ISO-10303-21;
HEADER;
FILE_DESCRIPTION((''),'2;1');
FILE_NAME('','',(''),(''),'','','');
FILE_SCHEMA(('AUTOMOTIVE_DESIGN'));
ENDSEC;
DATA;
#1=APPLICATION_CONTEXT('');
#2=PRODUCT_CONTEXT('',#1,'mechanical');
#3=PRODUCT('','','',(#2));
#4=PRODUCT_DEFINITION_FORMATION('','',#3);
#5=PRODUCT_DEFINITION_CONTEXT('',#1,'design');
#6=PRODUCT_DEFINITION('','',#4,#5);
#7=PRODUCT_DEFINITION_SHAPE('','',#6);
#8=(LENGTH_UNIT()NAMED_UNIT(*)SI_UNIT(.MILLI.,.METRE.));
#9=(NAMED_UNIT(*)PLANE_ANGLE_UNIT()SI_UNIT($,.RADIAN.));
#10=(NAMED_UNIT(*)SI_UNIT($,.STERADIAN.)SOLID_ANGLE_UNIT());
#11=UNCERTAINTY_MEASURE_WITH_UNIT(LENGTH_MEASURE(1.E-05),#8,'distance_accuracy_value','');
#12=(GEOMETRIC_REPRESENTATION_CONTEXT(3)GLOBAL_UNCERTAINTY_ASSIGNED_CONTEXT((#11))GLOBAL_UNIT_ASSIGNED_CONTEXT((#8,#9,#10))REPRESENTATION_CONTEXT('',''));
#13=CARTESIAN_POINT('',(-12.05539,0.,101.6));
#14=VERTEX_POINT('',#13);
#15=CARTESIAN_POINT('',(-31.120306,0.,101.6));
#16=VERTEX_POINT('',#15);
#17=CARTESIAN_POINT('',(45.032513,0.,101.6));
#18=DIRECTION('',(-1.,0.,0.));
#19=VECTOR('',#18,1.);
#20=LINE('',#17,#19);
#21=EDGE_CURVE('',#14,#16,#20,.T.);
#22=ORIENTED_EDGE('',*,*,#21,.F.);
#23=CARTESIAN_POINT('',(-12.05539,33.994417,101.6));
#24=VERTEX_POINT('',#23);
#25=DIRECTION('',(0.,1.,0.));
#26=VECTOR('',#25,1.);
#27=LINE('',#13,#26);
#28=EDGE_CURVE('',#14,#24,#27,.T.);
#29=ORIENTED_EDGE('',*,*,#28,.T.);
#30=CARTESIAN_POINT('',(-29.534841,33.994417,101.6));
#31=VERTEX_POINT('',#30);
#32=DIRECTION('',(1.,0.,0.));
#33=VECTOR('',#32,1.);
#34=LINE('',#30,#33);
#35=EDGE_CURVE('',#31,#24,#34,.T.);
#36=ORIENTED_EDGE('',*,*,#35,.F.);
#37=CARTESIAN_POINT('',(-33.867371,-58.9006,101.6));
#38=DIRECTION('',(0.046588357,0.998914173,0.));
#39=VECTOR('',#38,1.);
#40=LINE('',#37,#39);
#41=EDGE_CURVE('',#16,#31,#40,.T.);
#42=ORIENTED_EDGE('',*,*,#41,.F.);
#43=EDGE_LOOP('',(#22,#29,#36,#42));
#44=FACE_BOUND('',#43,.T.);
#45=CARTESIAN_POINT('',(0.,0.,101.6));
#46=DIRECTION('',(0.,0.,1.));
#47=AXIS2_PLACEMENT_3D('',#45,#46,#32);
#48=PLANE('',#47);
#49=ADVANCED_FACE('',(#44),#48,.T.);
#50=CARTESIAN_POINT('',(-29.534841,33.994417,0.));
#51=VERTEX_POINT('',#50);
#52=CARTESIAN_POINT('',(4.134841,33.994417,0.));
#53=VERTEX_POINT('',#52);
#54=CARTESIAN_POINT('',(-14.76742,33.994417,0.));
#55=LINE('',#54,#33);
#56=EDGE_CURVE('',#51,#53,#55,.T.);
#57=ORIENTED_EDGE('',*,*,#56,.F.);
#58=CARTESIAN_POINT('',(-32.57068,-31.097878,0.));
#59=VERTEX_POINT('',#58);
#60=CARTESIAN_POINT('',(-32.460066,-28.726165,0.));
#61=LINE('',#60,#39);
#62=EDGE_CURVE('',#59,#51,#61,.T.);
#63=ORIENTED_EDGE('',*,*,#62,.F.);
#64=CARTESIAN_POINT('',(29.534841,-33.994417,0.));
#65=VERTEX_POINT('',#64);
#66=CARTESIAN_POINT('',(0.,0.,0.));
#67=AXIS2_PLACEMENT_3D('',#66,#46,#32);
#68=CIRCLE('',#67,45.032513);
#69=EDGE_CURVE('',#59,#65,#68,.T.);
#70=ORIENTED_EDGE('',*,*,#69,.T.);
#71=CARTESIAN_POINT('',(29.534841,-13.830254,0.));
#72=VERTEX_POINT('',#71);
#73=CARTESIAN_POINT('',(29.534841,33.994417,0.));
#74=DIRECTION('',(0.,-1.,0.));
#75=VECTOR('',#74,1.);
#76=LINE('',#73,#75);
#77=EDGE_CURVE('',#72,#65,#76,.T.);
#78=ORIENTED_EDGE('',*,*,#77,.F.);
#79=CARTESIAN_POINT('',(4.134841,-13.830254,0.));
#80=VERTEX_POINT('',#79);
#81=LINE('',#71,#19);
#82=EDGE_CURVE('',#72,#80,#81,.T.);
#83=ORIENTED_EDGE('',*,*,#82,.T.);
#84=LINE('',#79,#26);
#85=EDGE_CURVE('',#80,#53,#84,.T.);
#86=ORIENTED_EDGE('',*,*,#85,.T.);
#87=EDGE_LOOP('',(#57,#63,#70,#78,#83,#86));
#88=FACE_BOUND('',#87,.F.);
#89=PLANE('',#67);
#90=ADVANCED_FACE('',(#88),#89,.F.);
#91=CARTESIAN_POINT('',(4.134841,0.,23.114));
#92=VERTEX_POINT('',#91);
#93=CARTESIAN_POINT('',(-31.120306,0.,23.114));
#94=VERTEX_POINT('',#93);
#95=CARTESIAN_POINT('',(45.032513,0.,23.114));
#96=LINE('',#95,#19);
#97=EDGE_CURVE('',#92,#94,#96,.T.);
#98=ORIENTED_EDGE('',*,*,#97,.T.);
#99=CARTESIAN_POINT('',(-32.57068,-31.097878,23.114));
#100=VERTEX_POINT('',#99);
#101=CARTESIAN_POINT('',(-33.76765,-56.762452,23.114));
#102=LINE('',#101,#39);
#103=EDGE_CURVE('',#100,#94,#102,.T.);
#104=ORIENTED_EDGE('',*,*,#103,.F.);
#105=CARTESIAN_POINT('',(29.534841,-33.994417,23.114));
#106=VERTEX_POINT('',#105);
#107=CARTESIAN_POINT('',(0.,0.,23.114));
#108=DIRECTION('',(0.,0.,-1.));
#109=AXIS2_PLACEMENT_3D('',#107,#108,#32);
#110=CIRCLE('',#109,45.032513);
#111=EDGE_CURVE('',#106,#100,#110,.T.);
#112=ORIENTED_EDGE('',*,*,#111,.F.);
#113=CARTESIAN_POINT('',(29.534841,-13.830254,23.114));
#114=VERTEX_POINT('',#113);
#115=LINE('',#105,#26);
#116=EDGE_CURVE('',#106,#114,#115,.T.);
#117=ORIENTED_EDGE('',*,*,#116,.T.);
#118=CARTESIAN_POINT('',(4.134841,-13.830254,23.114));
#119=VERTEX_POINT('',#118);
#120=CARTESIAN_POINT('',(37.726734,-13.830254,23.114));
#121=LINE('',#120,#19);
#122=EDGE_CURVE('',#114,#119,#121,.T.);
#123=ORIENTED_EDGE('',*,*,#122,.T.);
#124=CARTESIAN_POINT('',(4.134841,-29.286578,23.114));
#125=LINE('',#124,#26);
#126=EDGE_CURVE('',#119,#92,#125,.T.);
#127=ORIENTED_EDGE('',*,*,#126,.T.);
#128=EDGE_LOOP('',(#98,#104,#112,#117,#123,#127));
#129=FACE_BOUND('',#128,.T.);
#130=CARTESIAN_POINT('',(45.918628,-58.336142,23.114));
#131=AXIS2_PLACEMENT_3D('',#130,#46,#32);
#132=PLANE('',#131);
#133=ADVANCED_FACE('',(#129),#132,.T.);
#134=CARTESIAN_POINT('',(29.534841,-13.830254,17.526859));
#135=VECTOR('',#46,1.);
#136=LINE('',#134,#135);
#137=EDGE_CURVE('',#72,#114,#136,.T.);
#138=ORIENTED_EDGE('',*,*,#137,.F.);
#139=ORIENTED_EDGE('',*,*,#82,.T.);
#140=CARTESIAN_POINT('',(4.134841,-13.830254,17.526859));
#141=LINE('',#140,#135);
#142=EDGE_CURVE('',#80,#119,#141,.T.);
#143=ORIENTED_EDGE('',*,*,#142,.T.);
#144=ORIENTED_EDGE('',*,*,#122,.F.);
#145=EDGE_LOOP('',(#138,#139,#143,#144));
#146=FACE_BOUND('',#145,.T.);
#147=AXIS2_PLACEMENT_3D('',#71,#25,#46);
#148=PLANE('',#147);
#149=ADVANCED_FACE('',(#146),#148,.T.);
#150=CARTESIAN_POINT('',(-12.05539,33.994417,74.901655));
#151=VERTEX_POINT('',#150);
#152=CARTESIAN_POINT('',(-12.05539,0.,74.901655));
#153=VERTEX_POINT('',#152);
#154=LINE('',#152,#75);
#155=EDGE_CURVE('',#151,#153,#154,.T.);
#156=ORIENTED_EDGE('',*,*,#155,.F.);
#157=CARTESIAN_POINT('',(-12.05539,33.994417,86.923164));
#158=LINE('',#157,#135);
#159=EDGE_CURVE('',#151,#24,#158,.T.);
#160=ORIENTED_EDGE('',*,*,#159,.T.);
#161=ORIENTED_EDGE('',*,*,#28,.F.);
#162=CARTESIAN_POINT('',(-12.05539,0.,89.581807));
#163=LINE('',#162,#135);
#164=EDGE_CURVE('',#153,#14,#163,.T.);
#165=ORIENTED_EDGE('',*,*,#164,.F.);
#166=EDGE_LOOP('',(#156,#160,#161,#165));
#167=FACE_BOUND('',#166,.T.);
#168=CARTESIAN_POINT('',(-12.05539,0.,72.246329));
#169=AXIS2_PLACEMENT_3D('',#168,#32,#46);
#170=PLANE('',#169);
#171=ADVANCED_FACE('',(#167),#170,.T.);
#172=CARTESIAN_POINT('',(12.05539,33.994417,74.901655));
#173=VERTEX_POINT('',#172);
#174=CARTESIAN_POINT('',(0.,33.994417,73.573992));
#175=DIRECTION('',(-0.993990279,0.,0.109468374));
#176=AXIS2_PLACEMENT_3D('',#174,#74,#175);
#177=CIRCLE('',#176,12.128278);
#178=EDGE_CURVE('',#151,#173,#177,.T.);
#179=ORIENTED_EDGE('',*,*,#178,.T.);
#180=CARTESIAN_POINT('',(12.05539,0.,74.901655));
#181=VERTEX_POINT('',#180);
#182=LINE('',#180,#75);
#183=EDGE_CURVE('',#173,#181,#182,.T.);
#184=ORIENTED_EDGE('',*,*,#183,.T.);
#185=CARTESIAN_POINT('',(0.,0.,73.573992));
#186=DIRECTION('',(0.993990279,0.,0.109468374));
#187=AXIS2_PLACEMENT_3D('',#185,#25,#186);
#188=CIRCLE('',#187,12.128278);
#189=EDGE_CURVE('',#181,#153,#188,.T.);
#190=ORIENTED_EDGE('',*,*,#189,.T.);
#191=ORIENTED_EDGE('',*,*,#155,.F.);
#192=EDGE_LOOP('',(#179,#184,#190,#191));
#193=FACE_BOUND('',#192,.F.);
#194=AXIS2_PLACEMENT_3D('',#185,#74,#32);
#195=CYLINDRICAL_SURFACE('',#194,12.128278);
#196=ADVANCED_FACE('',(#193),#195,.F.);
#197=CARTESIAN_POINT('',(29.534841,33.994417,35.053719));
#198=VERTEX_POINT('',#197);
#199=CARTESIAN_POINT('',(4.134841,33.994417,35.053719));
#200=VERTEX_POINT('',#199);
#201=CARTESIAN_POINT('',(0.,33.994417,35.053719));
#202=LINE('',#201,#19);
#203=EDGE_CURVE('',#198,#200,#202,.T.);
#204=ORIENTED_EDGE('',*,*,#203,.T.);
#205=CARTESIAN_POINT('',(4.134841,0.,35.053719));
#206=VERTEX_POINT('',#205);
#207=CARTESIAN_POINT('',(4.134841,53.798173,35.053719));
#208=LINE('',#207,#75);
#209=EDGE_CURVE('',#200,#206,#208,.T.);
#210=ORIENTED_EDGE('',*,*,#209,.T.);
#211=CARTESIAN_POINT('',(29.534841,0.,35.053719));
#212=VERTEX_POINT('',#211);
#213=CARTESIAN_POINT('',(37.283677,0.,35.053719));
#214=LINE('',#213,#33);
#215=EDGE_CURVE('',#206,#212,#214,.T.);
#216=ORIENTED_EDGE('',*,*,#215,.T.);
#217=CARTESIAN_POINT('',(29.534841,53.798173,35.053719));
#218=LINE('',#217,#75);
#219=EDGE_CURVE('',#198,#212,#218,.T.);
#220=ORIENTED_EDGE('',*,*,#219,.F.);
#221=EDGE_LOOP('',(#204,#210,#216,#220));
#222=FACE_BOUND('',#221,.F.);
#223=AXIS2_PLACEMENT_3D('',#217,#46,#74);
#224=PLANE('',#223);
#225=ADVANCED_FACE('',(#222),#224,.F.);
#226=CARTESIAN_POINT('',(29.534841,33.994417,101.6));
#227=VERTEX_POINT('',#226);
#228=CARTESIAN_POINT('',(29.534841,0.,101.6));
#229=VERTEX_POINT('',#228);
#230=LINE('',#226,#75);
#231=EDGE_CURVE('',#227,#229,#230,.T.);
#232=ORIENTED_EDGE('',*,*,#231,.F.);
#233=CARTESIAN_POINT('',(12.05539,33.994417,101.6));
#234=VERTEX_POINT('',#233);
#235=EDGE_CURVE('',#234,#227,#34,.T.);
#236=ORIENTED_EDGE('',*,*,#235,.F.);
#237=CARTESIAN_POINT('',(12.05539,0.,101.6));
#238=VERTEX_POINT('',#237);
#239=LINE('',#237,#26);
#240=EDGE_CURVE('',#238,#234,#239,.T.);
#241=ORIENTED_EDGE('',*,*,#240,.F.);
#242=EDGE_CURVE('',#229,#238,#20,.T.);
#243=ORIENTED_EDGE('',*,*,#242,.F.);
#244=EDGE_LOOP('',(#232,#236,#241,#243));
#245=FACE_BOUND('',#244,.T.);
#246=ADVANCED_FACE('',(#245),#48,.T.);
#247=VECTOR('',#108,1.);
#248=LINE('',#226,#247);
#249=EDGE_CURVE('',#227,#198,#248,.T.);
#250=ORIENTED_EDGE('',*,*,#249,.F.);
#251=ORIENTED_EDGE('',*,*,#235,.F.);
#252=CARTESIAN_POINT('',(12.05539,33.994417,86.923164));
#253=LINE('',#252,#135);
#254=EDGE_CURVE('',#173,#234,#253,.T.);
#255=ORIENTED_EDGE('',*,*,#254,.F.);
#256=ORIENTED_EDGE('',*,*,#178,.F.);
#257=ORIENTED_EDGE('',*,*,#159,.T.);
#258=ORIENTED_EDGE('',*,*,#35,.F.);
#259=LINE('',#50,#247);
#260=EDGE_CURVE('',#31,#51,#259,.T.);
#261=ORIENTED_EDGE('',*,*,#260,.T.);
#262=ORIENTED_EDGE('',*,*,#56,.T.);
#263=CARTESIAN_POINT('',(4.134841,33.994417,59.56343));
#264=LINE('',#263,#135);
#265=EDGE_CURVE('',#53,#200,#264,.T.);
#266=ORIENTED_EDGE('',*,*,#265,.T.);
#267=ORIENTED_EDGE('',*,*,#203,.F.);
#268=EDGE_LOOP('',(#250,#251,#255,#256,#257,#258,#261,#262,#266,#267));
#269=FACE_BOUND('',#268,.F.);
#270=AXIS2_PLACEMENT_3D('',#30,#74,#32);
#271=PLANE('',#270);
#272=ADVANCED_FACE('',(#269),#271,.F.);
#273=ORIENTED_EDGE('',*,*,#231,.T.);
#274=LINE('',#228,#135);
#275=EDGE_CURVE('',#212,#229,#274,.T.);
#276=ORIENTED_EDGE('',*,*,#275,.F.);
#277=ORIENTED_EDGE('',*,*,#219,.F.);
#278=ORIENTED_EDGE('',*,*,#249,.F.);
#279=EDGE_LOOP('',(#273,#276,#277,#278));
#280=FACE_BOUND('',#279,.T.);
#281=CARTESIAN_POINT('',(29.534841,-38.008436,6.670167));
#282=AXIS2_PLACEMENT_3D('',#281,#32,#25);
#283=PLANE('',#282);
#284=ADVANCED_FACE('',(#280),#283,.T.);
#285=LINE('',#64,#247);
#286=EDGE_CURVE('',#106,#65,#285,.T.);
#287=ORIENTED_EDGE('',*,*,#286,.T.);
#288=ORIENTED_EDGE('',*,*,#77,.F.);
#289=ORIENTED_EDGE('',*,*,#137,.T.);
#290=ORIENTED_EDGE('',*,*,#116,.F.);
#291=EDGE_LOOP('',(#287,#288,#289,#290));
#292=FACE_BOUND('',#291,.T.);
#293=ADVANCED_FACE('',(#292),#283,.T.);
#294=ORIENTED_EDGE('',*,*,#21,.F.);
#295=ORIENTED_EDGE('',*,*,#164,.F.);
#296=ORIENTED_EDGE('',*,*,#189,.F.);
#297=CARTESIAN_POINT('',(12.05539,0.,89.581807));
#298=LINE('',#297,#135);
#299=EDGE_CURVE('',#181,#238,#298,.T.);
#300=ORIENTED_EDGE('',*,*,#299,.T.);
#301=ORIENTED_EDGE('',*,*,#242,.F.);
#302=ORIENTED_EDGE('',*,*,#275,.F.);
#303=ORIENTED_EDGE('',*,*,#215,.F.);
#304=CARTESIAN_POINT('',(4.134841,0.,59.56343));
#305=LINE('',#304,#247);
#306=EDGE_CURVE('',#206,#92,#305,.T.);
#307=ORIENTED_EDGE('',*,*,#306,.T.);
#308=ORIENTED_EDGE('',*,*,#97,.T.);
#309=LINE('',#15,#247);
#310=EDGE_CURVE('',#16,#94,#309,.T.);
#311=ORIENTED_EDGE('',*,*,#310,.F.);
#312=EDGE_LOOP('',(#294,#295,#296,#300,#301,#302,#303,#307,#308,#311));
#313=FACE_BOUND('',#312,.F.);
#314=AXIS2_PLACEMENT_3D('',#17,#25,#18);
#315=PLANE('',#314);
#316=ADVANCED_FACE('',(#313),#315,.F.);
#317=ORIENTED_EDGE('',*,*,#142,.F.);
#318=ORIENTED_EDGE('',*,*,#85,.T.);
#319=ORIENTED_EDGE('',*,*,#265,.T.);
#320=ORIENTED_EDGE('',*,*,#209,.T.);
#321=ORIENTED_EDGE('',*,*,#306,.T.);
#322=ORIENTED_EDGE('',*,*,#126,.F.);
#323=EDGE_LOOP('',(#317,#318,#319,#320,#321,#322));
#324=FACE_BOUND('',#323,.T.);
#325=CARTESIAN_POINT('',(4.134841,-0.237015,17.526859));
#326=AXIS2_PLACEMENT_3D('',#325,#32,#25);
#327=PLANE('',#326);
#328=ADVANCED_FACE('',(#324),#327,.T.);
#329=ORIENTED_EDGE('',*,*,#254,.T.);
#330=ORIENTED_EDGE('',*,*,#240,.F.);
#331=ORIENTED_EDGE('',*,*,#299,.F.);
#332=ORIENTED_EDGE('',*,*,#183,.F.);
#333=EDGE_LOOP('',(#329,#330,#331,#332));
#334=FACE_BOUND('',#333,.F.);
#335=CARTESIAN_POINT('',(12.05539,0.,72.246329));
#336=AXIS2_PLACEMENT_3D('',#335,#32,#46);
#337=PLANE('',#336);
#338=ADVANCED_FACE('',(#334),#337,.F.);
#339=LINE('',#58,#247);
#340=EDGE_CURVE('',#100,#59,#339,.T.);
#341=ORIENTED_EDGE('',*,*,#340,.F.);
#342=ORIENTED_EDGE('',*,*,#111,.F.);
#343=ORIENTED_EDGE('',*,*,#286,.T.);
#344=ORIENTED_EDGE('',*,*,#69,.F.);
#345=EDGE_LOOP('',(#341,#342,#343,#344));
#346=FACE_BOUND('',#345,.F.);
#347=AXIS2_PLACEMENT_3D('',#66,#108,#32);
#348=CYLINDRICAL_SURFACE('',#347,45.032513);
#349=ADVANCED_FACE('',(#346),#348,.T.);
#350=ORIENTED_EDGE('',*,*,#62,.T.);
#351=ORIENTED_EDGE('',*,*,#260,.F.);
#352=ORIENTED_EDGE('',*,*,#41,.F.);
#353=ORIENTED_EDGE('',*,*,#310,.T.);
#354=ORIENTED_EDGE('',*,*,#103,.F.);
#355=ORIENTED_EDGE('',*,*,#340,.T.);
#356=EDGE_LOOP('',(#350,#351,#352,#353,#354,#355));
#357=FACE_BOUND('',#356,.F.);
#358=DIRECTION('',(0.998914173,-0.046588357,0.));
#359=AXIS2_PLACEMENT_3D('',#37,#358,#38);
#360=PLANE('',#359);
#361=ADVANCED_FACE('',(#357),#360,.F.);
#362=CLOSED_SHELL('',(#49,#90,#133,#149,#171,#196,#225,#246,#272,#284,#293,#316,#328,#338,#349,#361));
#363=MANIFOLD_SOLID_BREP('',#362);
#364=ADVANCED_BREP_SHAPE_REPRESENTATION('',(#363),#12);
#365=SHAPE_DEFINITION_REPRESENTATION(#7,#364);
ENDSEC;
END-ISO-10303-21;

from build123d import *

# Parameters (mm, degrees)
F0_R      = 45.0325126913
F1_DEPTH  = 101.6
F3_DEPTH  = 78.486
F5_DEPTH  = 107.188
F7_DEPTH  = 186.944
F8_R      = 12.1282777673
F9_DEPTH  = 81.026
F10_W     = 24.1107804074
F10_H     = 34.6709556208
F11_DEPTH = 128.778
F13_DEPTH = 25.4
F14_W     = 27.1864784881
F14_H     = 35.0537188351
F15_DEPTH = 25.4


with BuildPart() as f1:
    # F0 (on Top) → F1 (new body)
    with BuildSketch(Plane.XY):
        Circle(F0_R)
    extrude(amount=F1_DEPTH)

    # F2 (on face) → F3 (cut)
    with BuildSketch(Plane.XY.offset(101.6)):
        Polygon((45.0325126913, 0), (-45.0325126913, 0), (-69.5492550731, 0), (45.0325126913, -116.2401661277), (161.6928875446, -116.2401661277), align=None)
    extrude(amount=-F3_DEPTH, mode=Mode.SUBTRACT)

    # F4 (on face) → F5 (cut)
    with BuildSketch(Plane.XY.offset(101.6)):
        Polygon((-61.1385696894, -57.6286986393), (-33.8673712273, -58.9006000359), (-28.4030238845, 58.2620206293), (-55.6742223466, 59.5339220259), align=None)
    extrude(amount=-F5_DEPTH, mode=Mode.SUBTRACT)

    # F6 (on face) → F7 (cut)
    with BuildSketch(Plane.XY.offset(101.6)):
        Polygon((-29.5348406238, 53.1750321388), (-29.5348406238, 33.9944170212), (29.5348406238, 33.9944170212), (29.5348406238, -32.5324498117), (45.0325126913, -32.5324498117), (45.0325126913, 59.2755898833), align=None)
    extrude(amount=-F7_DEPTH, mode=Mode.SUBTRACT)

    # F8 (on face) → F9 (cut)
    with BuildSketch(Plane.XZ):
        with Locations((0, 73.5739916563)):
            Circle(F8_R)
    extrude(amount=-F9_DEPTH, mode=Mode.SUBTRACT)

    # F10 (on face) → F11 (cut)
    with BuildSketch(Plane.XZ):
        with Locations((0, 89.5818066187)):
            Rectangle(F10_W, F10_H)
    extrude(amount=-F11_DEPTH, mode=Mode.SUBTRACT)

    # F12 (on face) → F13 (cut)
    with BuildSketch(Plane.YZ.offset(29.5348406238)):
        Polygon((0, -13.3575685322), (-16.2662249058, 23.114), (-67.4354508519, 30.6860208511), (-70.5883606289, 9.3796937905), (-70.5883606289, -6.5510598943), align=None)
    extrude(amount=F13_DEPTH, mode=Mode.SUBTRACT)

    # F14 (on face) → F15 (cut)
    with BuildSketch(Plane.YZ.offset(29.5348406238)):
        with Locations((-0.2370146103, 17.5268594176)):
            Rectangle(F14_W, F14_H)
        Polygon((13.3562246338, 35.0537188351), (13.3562246338, 0), (19.999248907, 0), (53.7981726229, 0), (53.7981726229, 35.0537188351), align=None)
    extrude(amount=-F15_DEPTH, mode=Mode.SUBTRACT)


solid = f1.part
